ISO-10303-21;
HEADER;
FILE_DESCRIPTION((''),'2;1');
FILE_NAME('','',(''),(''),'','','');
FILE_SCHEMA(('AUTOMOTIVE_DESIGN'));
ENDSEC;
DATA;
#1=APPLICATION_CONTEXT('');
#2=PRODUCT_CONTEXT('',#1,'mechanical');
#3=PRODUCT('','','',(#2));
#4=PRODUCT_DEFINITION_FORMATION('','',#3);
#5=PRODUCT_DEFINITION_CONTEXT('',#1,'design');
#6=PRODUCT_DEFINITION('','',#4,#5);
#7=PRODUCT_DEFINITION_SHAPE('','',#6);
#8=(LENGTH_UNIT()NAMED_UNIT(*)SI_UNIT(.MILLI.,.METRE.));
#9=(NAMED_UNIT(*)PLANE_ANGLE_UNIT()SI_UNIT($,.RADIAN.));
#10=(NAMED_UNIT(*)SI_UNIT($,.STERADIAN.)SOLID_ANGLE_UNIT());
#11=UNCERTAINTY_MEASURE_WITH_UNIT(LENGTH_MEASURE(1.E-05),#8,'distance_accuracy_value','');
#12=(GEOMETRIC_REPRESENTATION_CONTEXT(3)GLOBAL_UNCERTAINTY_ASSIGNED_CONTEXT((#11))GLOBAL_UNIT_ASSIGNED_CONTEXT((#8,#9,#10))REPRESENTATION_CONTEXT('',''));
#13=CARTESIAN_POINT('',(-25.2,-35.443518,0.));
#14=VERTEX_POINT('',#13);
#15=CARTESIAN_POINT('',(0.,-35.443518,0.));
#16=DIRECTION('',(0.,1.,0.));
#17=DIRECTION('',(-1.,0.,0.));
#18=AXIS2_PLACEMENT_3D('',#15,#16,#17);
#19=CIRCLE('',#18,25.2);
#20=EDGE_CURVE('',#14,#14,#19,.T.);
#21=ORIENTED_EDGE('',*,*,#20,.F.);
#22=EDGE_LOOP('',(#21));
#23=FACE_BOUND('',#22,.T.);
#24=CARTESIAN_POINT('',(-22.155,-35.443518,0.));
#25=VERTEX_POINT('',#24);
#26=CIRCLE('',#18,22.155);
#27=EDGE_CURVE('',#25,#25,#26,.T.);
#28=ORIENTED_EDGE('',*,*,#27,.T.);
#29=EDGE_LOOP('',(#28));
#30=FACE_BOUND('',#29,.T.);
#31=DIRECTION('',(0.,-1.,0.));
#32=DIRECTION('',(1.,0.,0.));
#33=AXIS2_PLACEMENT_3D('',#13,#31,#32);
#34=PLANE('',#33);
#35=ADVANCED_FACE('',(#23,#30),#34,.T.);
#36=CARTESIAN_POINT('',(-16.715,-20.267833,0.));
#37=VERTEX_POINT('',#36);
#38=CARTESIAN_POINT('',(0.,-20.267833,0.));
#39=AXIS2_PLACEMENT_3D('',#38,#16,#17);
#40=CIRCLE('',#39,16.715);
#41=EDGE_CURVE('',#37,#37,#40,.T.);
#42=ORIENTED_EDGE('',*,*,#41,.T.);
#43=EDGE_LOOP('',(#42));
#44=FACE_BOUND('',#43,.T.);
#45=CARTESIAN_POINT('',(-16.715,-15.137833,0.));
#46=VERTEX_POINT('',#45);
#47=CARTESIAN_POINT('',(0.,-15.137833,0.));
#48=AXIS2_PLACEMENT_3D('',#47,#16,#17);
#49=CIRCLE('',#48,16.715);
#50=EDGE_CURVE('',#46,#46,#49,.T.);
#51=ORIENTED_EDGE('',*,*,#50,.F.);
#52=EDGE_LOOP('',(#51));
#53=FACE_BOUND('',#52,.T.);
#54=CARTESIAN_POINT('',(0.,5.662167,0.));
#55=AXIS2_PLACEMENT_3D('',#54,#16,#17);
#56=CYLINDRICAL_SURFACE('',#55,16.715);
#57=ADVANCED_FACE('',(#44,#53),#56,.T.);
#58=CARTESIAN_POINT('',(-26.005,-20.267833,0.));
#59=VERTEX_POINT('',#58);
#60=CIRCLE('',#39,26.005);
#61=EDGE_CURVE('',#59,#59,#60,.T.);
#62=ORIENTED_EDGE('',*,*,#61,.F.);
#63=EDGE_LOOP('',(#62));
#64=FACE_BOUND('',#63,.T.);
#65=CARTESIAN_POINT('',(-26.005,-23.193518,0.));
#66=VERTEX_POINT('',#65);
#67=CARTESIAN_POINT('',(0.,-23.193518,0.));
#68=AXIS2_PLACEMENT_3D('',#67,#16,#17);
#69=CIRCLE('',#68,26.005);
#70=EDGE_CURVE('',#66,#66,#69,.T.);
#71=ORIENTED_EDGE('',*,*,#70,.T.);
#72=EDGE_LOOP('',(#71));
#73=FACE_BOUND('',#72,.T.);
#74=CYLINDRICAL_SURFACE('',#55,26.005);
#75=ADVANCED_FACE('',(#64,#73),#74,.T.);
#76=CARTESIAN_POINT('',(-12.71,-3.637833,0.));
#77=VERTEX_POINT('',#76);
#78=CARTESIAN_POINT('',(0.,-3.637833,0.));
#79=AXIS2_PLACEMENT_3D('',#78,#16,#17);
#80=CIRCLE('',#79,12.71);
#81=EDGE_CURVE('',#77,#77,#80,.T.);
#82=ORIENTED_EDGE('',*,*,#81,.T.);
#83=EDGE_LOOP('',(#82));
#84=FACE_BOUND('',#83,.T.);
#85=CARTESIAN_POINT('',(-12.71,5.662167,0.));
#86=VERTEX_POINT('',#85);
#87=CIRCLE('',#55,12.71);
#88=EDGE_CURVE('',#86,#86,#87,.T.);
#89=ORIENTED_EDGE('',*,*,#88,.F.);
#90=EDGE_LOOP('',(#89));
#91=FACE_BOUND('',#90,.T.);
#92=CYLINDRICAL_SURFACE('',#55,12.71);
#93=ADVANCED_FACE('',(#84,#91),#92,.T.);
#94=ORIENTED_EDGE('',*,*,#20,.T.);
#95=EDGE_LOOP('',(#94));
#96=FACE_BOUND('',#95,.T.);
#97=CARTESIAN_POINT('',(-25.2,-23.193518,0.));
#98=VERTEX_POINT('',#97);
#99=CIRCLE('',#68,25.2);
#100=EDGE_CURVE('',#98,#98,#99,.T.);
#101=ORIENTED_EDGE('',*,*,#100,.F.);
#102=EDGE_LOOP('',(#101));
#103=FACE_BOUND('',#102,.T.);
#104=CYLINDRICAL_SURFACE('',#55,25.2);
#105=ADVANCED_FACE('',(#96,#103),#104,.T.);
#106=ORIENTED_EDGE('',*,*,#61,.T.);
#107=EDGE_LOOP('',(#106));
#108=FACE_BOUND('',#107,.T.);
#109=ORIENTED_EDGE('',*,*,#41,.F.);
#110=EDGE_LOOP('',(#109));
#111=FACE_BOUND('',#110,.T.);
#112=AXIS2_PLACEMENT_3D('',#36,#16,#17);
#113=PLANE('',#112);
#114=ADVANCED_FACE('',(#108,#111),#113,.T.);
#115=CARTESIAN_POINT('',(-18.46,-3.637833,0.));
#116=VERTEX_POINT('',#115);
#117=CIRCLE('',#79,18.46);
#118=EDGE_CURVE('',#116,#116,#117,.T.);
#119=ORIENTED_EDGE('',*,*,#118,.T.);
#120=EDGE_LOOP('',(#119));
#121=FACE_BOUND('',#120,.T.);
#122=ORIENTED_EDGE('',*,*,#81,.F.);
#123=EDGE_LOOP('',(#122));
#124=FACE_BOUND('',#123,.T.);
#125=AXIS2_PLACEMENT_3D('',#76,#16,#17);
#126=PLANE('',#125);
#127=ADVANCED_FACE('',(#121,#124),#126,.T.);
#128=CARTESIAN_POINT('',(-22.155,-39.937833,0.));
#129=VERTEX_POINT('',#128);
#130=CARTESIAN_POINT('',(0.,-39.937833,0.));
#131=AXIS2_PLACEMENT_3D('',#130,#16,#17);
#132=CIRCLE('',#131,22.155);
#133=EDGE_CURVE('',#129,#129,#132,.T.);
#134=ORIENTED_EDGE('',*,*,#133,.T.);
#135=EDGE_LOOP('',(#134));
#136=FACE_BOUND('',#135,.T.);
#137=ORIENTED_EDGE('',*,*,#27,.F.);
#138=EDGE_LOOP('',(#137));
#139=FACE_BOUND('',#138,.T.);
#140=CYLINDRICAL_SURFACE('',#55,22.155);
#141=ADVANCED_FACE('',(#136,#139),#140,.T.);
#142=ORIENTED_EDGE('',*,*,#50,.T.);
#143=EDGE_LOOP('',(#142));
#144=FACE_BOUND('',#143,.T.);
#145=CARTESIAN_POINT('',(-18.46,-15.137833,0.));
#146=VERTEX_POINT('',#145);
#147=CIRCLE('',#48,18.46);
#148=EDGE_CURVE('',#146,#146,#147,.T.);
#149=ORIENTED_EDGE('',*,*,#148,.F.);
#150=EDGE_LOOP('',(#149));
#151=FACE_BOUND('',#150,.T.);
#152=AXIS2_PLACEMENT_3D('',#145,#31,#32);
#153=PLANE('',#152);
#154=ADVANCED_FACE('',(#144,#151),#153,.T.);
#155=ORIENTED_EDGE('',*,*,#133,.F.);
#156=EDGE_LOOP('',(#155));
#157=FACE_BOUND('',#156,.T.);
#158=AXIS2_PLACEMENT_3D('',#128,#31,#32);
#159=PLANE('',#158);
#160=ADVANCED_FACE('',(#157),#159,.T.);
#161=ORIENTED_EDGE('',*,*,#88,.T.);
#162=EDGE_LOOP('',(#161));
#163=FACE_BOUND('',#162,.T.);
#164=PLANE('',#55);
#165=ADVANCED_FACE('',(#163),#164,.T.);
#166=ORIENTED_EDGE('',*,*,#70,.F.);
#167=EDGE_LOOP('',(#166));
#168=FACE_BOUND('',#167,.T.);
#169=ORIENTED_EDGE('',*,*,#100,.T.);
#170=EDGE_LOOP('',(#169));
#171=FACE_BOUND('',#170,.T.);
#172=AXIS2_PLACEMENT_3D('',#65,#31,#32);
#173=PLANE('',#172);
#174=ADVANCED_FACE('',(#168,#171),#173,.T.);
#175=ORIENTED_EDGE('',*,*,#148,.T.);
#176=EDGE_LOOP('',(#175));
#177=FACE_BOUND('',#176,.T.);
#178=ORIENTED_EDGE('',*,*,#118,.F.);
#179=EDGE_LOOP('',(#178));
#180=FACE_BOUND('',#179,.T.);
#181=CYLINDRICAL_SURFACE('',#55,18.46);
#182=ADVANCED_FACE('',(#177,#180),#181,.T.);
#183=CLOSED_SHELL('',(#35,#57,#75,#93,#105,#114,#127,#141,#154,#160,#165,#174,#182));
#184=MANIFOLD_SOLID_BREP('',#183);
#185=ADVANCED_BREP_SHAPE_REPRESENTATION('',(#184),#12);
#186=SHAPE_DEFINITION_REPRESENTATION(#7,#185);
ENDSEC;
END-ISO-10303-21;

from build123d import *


with BuildPart() as part:
    # Sketch3 → Revolve1 (revolve)
    with BuildSketch(Plane.XY):
        Polygon((0, 5.662167056), (0, -39.937832944), (-22.155, -39.937832944), (-22.155, -35.443518029), (-25.2, -35.443518029), (-25.2, -23.193518029), (-26.005, -23.193518029), (-26.005, -20.267832944), (-16.715, -20.267832944), (-16.715, -15.137832944), (-18.46, -15.137832944), (-18.46, -3.637832944), (-12.71, -3.637832944), (-12.71, 5.662167056), align=None)
    revolve(axis=Axis((0, 5.662167056, 0), (0, -1, 0)))


solid = part.part
